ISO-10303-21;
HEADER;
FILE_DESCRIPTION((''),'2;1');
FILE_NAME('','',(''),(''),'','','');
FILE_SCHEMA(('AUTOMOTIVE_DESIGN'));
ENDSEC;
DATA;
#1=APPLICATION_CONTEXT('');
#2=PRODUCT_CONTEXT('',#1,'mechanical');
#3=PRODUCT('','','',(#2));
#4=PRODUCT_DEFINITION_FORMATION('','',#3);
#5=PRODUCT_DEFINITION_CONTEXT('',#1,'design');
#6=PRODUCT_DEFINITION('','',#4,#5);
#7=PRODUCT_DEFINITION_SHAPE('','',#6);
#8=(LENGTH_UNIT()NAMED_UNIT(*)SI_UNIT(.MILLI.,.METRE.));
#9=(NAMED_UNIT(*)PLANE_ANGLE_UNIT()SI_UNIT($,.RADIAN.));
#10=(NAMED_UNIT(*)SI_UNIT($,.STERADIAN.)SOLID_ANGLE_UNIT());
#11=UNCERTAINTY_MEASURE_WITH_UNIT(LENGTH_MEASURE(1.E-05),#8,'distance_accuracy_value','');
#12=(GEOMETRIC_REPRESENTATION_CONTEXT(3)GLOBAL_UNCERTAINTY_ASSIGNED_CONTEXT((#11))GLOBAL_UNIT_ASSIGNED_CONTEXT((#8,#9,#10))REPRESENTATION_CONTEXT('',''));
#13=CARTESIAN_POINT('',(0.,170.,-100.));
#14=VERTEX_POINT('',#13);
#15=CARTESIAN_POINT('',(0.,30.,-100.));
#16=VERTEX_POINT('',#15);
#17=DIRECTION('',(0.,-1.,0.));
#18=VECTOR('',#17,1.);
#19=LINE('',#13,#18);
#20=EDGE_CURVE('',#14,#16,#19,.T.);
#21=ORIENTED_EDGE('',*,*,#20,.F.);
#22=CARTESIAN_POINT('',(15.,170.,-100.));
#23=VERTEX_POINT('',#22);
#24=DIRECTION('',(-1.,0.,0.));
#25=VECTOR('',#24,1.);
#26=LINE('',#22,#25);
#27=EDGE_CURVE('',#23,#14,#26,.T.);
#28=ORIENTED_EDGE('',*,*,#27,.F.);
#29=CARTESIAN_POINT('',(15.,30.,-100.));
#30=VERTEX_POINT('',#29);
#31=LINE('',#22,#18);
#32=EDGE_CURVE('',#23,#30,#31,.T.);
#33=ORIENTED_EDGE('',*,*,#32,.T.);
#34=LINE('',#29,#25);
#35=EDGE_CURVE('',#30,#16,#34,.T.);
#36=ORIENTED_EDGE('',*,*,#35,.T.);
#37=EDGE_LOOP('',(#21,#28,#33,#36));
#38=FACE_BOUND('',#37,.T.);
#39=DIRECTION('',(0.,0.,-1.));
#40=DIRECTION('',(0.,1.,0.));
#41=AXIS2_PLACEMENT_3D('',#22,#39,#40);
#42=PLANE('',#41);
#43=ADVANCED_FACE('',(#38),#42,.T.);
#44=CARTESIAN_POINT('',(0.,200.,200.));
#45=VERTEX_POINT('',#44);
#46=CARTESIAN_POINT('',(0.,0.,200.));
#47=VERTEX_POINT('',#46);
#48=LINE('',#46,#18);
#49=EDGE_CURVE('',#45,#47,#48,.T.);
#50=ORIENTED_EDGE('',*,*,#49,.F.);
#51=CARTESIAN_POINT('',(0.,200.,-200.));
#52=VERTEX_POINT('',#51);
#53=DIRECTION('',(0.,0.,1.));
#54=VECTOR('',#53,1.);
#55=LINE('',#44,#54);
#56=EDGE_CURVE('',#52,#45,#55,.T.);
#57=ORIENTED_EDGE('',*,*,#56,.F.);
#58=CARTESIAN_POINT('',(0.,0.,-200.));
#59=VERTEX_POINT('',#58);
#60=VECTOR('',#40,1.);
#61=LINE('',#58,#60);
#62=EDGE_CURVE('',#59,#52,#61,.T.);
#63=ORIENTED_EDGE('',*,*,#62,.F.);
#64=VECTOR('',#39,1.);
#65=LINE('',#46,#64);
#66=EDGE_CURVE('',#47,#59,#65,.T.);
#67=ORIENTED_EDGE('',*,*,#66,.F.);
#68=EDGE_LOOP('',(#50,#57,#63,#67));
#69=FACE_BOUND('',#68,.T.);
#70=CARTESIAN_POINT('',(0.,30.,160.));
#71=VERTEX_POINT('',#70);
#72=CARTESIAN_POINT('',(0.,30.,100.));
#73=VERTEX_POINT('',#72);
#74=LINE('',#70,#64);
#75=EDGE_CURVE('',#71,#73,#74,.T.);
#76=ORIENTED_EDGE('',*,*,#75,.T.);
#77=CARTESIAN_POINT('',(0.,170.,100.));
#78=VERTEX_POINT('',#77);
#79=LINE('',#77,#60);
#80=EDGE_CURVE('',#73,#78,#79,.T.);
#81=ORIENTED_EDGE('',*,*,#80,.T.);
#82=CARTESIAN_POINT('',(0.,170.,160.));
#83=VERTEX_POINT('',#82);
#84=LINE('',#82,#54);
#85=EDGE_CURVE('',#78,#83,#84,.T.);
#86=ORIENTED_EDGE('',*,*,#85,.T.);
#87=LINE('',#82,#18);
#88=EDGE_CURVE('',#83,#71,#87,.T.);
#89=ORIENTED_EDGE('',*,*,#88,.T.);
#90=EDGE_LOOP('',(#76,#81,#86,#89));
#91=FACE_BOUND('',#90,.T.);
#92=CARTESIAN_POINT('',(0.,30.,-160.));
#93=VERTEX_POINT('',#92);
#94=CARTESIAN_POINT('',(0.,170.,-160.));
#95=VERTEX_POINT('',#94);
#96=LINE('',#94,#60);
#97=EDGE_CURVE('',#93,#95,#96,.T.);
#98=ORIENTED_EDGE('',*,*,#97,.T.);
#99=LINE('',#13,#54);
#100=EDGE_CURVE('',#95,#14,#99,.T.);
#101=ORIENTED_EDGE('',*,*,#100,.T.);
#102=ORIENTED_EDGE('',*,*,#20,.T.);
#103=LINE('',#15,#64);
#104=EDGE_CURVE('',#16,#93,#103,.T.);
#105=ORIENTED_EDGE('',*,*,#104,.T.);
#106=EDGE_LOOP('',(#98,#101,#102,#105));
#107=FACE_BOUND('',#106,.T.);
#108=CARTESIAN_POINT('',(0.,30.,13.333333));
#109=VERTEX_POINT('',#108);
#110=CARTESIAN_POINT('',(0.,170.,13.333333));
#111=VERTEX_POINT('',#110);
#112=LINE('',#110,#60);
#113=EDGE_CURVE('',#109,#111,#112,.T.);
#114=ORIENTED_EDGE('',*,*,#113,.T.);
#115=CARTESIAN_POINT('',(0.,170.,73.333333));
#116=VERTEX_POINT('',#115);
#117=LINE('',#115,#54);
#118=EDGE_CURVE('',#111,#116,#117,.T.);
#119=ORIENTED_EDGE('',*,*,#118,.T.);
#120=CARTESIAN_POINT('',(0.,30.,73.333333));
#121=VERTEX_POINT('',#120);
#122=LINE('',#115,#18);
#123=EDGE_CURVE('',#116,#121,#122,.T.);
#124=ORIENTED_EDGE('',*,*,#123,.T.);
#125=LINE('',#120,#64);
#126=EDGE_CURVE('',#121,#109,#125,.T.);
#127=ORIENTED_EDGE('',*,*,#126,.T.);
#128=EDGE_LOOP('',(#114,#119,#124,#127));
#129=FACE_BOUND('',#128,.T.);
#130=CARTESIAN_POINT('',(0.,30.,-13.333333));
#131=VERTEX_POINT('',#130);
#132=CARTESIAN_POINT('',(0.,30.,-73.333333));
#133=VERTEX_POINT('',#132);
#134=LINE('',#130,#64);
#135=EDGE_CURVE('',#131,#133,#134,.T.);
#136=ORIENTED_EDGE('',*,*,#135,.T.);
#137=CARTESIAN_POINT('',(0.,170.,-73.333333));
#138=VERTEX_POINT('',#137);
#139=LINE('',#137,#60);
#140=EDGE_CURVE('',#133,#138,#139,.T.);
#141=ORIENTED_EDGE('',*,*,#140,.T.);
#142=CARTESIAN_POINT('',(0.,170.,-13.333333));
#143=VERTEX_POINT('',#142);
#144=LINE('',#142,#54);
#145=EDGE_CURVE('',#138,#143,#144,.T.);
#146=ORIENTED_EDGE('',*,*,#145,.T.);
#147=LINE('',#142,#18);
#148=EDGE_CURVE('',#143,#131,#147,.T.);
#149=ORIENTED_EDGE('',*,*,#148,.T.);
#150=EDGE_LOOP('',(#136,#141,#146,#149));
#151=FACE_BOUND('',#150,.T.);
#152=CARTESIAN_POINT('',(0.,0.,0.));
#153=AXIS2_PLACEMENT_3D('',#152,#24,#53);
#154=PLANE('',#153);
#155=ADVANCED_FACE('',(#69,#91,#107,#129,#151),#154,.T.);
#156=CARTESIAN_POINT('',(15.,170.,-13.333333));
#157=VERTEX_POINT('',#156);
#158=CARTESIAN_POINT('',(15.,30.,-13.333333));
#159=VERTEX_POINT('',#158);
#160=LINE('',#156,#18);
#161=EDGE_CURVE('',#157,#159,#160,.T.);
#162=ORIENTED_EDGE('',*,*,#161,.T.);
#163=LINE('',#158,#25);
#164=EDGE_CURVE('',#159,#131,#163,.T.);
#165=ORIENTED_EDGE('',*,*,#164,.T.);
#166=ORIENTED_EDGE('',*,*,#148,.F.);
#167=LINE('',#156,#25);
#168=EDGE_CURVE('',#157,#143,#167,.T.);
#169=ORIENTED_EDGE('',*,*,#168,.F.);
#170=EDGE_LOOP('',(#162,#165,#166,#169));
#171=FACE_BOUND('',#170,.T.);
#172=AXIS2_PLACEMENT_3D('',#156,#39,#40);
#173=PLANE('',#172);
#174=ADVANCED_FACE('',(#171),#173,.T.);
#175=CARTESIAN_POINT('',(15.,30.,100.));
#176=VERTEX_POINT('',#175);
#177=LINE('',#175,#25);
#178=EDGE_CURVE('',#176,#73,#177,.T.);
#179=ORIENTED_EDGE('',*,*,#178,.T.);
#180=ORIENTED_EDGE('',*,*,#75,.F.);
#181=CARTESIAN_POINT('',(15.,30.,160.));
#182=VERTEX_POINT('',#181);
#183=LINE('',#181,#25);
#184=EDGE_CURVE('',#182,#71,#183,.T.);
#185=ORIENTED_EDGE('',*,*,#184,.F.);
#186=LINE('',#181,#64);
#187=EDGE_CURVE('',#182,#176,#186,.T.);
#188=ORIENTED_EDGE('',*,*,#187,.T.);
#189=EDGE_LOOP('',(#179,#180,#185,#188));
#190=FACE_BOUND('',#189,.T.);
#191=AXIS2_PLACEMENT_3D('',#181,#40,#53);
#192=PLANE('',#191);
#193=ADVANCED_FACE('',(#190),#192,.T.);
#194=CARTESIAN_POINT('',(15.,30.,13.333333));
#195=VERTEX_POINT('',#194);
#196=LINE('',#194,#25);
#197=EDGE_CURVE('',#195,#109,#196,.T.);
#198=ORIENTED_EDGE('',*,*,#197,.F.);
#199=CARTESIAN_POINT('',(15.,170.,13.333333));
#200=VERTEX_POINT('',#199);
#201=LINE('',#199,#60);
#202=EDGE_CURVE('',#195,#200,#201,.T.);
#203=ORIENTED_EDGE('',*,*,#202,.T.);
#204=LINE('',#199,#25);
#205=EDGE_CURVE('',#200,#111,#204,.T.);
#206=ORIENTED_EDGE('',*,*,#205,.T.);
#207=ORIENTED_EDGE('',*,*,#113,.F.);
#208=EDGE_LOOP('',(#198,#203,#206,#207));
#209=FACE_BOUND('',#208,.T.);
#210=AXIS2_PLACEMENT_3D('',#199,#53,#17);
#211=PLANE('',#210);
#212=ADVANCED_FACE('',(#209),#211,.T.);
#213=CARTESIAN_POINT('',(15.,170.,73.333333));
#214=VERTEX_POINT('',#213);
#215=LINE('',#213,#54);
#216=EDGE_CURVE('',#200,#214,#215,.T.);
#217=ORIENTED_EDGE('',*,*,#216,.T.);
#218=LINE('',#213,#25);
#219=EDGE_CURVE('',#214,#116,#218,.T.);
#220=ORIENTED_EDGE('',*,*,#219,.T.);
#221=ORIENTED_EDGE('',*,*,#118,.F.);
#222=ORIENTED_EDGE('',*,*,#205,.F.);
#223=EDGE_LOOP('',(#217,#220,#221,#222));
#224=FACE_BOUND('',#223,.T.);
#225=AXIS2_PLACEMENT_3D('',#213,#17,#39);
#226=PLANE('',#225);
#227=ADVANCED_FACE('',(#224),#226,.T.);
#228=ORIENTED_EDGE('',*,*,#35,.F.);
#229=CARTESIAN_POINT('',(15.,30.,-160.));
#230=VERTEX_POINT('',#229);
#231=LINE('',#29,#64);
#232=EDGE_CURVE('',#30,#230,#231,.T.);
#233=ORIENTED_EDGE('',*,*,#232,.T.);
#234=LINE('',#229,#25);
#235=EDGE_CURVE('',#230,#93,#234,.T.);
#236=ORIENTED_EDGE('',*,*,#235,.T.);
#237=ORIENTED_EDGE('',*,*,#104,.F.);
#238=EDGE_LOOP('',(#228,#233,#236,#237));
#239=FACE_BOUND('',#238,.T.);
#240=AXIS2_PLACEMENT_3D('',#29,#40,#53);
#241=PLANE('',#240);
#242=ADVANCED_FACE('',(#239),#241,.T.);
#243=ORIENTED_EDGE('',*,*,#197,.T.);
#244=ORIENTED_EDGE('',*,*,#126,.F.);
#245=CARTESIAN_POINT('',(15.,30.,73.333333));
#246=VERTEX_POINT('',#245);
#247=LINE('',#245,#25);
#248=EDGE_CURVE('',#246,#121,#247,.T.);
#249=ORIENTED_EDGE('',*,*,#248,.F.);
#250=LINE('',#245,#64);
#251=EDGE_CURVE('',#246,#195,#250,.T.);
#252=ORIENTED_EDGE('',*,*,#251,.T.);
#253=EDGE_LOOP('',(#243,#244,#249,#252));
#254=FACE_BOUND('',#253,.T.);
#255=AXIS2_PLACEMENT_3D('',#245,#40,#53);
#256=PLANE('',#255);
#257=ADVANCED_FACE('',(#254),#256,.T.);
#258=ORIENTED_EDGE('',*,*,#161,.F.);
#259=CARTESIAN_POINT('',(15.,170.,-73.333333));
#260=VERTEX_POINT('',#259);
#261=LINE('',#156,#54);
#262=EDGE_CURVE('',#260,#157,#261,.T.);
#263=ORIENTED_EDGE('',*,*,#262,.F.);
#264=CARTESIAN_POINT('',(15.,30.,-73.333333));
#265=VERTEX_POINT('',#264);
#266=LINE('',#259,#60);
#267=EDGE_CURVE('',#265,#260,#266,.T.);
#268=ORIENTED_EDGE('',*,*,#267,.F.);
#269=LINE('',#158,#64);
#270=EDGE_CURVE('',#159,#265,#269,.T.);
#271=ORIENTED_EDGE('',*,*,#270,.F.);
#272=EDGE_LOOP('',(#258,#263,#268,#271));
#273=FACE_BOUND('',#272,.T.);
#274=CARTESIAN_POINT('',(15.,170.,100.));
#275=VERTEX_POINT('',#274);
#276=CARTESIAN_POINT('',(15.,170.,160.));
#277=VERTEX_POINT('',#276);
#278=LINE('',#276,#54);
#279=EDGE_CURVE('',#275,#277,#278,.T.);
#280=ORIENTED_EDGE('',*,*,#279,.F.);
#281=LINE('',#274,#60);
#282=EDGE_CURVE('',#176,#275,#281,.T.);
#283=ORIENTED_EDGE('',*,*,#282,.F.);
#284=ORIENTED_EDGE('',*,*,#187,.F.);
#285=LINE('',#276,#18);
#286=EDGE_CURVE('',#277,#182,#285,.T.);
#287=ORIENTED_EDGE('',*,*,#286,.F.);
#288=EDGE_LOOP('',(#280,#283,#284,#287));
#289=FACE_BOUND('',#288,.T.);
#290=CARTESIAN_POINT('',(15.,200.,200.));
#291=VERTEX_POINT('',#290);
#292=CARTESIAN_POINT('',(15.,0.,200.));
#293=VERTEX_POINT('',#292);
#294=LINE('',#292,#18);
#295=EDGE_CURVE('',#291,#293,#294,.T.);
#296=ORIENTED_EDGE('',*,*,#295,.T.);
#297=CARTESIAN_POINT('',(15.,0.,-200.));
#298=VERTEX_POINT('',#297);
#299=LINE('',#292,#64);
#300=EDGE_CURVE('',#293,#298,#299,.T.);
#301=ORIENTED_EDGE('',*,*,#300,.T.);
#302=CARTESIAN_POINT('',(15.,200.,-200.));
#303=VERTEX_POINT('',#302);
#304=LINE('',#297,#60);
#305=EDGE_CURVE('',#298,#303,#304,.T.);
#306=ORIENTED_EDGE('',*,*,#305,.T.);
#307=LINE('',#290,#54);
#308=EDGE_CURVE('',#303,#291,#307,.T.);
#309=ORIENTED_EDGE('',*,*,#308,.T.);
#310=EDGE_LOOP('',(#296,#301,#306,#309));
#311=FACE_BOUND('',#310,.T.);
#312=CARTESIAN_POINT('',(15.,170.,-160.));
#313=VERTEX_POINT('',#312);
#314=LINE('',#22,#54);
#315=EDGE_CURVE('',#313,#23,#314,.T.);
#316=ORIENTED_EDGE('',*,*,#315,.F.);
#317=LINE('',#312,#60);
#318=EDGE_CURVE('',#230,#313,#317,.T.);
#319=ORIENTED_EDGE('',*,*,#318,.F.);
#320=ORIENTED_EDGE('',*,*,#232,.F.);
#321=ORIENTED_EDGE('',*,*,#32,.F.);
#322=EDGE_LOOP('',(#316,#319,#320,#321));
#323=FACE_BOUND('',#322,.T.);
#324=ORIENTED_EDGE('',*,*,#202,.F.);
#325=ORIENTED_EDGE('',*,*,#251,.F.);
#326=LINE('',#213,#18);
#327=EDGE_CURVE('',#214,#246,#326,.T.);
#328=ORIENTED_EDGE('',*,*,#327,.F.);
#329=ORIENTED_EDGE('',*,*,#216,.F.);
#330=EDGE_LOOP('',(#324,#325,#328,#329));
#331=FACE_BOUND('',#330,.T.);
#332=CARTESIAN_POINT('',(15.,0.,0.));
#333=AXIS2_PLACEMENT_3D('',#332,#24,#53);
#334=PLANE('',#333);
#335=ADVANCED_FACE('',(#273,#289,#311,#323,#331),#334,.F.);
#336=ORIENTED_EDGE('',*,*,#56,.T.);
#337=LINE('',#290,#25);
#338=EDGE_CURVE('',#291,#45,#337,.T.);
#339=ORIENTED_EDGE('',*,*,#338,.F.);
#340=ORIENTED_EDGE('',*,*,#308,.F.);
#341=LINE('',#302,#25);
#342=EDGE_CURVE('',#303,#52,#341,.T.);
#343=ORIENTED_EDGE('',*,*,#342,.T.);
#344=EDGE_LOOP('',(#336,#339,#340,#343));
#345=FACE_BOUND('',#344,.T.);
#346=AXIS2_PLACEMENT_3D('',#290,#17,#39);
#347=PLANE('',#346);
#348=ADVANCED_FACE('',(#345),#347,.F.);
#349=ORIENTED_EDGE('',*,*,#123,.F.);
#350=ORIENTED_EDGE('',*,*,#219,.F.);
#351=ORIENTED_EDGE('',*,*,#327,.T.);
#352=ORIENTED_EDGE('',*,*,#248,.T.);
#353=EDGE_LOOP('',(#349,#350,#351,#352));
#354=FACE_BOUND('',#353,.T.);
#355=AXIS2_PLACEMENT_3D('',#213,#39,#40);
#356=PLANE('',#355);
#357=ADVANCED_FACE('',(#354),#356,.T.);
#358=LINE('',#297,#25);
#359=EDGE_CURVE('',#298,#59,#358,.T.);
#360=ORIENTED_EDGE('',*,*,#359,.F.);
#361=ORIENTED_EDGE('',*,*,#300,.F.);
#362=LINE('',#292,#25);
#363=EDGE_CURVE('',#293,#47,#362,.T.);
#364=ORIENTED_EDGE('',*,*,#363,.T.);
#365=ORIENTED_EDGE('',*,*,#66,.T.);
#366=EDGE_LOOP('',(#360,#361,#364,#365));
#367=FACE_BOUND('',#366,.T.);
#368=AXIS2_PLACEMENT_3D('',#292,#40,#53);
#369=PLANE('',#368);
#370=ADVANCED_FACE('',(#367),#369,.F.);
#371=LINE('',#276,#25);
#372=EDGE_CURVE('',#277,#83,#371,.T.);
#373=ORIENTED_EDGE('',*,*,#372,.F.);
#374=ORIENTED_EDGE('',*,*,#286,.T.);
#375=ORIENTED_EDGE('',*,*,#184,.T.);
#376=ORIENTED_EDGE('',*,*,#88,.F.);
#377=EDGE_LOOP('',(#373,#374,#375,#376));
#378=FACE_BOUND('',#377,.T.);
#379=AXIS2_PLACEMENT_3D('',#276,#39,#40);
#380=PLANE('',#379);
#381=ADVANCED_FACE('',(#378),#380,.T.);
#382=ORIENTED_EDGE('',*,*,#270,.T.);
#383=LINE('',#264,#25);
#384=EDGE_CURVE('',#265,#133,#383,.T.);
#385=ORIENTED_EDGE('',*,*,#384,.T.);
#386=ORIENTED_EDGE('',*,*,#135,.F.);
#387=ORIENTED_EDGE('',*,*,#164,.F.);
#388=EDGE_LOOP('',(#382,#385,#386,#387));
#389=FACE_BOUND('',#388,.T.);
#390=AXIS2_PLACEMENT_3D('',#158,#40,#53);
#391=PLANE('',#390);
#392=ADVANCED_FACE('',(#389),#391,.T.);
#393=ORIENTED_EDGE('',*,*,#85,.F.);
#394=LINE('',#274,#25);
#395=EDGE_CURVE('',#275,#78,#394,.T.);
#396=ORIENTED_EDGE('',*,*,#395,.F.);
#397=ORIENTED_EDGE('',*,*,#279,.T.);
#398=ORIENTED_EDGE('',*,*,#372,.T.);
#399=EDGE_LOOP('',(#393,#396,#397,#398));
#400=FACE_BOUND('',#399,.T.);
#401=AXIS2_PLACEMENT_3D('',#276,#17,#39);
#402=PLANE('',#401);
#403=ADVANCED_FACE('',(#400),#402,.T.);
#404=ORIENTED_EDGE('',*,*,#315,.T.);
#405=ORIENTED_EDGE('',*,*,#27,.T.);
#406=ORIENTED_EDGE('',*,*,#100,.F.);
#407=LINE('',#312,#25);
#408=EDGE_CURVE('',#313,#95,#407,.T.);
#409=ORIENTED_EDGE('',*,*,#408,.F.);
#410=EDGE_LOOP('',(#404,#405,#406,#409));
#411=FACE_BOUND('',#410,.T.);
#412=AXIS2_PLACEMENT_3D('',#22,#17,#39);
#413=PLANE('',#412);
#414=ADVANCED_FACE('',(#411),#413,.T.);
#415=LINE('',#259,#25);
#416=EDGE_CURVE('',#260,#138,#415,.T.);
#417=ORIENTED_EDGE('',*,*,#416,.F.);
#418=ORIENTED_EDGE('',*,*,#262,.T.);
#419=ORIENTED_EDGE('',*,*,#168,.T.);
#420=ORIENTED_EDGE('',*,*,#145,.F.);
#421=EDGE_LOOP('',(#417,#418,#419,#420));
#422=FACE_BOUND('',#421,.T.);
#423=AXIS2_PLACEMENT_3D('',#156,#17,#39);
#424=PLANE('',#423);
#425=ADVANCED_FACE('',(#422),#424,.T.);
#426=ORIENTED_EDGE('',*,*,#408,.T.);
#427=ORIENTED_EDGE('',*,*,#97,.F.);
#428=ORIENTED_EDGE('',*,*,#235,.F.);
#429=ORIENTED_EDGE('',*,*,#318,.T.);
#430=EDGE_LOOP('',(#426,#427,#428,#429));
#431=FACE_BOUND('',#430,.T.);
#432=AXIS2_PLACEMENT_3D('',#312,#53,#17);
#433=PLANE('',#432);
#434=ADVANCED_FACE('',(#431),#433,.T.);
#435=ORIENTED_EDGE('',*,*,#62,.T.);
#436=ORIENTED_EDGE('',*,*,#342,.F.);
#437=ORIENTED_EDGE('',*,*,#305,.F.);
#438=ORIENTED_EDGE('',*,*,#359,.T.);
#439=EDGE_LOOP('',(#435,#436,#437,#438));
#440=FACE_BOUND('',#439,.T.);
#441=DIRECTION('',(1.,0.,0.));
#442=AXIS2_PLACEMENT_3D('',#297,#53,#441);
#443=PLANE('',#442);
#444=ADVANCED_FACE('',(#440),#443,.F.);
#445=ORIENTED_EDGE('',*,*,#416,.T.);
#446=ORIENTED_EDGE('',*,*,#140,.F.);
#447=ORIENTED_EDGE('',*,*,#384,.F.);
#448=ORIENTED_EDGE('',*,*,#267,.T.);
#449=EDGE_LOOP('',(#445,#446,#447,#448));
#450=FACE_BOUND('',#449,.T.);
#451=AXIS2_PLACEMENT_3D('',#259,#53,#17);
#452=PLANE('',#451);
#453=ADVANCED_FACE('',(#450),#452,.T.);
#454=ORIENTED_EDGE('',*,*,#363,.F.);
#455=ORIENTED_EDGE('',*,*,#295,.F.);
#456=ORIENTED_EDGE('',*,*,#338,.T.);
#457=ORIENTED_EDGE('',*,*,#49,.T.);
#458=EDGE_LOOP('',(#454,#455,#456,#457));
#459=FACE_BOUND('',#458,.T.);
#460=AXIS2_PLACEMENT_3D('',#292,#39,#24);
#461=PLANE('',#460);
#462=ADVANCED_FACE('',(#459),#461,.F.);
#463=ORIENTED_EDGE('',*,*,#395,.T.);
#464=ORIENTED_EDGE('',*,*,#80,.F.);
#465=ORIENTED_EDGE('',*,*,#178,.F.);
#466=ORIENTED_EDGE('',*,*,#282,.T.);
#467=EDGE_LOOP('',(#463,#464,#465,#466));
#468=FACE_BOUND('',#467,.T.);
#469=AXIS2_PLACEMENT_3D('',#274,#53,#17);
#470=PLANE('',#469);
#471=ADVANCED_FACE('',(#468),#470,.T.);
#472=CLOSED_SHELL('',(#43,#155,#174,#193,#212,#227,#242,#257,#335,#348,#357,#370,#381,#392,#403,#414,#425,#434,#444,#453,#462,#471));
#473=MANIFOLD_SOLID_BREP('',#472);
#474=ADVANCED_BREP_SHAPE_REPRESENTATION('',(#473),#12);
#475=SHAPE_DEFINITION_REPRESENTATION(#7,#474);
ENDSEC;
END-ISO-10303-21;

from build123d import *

# Parameters (mm, degrees)
SKETCH1_W           = 400
SKETCH1_H           = 200
SKETCH1_W_2         = 60
SKETCH1_H_2         = 140
BOSS_EXTRUDE1_DEPTH = 15


with BuildPart() as part:
    # Sketch1 → Boss-Extrude1 (new body)
    with BuildSketch(Plane(origin=(0, 0, 0), x_dir=(0, 0, -1), z_dir=(1, 0, 0))):
        with Locations((0, 100)):
            Rectangle(SKETCH1_W, SKETCH1_H)
        with Locations((-130, 100)):
            Rectangle(SKETCH1_W_2, SKETCH1_H_2, mode=Mode.SUBTRACT)
        with Locations((-43.333333333, 100)):
            Rectangle(SKETCH1_W_2, SKETCH1_H_2, mode=Mode.SUBTRACT)
        with Locations((43.333333333, 100)):
            Rectangle(SKETCH1_W_2, SKETCH1_H_2, mode=Mode.SUBTRACT)
        with Locations((130, 100)):
            Rectangle(SKETCH1_W_2, SKETCH1_H_2, mode=Mode.SUBTRACT)
    extrude(amount=BOSS_EXTRUDE1_DEPTH)


solid = part.part
